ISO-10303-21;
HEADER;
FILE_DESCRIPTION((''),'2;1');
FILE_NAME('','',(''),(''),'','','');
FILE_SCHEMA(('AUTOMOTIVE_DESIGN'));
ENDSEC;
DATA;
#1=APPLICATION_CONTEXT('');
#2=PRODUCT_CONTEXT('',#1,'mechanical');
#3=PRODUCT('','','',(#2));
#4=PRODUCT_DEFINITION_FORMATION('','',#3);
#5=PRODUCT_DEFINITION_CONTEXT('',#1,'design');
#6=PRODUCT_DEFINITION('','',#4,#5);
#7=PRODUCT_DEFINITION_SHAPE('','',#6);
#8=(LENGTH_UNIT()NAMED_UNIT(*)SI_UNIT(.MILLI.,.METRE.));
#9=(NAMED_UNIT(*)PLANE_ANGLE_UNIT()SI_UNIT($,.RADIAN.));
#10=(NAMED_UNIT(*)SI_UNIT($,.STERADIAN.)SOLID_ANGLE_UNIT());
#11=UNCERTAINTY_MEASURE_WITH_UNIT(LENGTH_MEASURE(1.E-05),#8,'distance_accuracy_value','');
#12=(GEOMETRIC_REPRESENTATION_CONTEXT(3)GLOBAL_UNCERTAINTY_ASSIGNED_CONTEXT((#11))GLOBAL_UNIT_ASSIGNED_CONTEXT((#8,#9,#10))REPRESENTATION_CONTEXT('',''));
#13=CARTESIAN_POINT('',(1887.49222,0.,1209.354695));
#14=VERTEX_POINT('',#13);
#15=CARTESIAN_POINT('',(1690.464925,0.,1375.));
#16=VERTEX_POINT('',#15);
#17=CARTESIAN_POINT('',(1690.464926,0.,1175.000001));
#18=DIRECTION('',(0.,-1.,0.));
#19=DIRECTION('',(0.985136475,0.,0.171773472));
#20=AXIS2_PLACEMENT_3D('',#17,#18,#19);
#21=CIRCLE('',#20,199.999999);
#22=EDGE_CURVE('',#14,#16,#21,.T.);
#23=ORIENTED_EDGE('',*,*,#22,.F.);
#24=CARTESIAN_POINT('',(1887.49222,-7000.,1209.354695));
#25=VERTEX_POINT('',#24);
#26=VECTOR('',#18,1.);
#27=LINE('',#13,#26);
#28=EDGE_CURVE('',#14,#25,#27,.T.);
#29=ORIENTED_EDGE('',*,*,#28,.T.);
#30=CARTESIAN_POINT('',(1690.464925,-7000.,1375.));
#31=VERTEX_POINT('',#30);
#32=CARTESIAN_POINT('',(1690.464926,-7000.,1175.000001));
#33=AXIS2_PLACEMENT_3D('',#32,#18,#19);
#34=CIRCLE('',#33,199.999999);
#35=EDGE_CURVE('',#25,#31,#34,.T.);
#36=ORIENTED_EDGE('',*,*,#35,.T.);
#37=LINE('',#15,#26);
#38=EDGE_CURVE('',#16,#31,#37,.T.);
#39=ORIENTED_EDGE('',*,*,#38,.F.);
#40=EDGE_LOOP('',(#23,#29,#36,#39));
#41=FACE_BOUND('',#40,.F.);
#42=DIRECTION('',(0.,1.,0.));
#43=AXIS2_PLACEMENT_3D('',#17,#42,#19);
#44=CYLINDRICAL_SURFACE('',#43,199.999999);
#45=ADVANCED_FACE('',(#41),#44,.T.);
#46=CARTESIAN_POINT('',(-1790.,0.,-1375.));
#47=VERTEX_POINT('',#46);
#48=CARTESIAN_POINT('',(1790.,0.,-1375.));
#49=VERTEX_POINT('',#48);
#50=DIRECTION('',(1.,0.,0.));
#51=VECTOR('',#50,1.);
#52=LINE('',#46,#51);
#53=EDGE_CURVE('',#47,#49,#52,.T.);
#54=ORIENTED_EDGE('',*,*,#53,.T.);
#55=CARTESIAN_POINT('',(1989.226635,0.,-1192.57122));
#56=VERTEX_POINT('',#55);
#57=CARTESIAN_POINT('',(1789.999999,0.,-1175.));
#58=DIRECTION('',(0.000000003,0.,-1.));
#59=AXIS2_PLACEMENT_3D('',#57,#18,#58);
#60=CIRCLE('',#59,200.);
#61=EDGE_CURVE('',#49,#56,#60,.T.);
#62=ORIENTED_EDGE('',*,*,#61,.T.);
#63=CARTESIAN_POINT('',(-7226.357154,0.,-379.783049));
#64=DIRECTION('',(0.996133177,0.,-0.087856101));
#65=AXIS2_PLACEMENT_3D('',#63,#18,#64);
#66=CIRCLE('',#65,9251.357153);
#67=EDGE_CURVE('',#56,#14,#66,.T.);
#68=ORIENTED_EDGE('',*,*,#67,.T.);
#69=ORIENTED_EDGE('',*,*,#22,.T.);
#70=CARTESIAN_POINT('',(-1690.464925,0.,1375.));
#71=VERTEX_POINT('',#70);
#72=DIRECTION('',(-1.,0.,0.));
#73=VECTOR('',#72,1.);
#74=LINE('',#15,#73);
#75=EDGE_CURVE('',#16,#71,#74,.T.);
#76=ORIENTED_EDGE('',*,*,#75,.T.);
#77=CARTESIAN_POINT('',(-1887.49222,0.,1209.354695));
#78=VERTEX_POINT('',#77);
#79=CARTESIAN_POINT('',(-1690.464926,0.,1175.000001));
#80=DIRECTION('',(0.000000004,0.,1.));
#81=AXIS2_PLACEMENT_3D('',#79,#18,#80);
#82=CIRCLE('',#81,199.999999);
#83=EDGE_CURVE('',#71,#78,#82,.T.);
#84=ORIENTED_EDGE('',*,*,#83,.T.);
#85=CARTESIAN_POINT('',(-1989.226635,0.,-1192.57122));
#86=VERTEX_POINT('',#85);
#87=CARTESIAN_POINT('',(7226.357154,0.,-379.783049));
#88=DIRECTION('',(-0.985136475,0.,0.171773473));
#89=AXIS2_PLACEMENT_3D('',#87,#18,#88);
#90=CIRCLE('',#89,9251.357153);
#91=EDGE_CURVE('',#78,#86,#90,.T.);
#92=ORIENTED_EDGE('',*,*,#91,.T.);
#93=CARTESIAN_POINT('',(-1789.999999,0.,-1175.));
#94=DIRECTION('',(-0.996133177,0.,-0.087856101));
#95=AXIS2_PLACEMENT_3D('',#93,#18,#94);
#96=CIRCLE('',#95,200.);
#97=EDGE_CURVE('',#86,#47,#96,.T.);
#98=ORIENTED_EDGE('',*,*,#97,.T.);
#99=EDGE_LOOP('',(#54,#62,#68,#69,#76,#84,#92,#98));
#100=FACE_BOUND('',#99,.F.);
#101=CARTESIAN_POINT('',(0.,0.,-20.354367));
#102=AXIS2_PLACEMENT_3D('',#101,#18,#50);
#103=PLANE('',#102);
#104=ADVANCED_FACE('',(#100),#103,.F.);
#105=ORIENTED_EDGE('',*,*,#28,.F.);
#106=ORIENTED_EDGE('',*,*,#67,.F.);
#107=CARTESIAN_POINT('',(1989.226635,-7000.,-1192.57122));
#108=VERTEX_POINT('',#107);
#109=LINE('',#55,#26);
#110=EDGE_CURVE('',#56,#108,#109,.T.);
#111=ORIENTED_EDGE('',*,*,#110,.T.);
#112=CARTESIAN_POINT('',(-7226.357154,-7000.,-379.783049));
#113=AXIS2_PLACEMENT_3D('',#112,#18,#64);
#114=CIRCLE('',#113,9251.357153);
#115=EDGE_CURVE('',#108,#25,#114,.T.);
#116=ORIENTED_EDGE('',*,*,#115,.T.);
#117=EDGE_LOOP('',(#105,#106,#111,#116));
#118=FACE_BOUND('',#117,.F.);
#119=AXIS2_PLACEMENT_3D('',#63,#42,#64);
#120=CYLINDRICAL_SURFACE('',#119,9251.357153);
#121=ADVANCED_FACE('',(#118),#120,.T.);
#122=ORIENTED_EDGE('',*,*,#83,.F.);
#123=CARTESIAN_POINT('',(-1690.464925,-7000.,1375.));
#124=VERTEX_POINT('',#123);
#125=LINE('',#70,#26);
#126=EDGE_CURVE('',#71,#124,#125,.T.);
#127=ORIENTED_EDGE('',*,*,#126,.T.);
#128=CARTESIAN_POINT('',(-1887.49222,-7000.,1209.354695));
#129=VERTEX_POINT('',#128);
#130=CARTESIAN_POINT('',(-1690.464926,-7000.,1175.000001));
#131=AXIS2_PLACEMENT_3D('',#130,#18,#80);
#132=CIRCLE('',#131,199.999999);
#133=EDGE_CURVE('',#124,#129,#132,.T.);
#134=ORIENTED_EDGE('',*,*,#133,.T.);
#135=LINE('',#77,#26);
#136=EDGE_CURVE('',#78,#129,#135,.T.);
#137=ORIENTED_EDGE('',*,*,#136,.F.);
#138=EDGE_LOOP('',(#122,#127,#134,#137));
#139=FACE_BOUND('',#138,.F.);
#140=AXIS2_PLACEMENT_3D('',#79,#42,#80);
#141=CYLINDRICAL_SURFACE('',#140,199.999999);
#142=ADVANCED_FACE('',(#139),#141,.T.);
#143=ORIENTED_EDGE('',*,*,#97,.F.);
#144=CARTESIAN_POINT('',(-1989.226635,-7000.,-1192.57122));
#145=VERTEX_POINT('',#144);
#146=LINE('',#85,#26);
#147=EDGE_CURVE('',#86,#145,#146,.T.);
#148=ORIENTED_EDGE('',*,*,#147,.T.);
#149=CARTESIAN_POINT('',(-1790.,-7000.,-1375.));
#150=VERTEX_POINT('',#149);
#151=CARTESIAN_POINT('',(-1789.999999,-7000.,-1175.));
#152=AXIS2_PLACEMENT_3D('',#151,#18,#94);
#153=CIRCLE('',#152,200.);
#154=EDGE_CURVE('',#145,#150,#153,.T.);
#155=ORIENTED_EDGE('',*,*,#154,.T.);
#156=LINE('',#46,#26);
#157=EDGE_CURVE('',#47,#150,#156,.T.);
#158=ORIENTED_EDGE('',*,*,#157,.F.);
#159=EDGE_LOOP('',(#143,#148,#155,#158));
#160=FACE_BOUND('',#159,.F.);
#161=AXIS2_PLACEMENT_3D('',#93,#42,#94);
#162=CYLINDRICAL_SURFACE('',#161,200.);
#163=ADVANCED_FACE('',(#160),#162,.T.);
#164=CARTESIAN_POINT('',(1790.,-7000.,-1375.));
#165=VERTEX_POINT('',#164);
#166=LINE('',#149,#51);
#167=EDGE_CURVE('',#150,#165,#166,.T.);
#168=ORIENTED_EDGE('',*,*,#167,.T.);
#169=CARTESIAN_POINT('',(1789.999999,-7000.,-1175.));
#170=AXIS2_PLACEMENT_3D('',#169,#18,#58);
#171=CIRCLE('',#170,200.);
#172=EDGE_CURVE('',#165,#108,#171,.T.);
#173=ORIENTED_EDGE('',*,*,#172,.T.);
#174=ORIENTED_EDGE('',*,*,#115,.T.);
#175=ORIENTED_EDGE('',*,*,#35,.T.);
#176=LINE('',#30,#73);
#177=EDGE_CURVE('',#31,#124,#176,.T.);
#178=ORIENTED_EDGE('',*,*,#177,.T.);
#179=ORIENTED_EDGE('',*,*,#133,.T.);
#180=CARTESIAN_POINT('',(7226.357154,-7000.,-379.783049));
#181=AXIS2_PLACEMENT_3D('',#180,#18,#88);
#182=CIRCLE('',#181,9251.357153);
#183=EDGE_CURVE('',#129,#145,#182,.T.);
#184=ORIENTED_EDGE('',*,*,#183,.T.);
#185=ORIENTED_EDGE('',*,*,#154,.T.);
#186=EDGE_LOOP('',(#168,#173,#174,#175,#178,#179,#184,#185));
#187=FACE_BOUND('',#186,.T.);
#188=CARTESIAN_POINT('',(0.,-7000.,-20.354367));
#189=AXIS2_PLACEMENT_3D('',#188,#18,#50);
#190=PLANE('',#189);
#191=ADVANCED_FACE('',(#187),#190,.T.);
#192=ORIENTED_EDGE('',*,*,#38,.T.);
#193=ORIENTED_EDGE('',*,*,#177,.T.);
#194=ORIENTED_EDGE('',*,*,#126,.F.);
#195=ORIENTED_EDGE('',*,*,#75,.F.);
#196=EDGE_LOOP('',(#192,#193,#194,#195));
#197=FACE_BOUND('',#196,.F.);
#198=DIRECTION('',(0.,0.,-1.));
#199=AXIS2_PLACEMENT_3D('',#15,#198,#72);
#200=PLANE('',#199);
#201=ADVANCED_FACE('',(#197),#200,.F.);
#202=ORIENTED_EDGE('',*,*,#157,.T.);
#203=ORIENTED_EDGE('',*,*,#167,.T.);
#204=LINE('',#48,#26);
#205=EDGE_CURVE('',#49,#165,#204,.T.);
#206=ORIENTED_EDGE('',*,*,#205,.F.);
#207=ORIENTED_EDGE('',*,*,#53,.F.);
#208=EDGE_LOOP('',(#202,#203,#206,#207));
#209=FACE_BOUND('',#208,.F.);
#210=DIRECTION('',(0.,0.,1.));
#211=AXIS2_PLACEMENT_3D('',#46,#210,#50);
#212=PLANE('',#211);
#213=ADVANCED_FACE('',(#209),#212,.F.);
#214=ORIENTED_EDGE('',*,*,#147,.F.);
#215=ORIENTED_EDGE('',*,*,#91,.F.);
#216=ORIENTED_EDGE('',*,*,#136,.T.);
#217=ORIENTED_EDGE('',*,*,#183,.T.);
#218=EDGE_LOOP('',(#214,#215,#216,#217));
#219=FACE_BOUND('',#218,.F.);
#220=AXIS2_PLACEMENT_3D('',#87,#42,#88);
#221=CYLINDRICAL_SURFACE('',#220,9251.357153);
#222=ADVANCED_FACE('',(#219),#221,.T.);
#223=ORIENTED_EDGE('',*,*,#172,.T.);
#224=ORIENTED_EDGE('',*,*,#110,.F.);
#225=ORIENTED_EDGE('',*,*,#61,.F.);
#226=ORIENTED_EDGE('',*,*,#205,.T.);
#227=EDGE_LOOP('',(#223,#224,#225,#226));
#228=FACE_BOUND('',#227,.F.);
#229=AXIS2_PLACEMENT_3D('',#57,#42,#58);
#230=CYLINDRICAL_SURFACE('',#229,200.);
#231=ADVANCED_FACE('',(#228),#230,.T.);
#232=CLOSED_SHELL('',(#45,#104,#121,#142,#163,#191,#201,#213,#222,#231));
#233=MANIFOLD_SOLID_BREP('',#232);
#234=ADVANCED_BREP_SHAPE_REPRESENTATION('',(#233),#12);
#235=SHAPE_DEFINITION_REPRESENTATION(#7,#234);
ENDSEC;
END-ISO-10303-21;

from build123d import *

# Parameters (mm, degrees)
F1_DEPTH = 7000


with BuildPart() as f1:
    # F0 (on Front) → F1 (new body)
    with BuildSketch(Plane.XZ):
        with BuildLine():
            ThreePointArc((-1989.226635, -1192.57122), (-1925.066198, -1322.502956), (-1790, -1375))
            Line((-1790, -1375), (0, -1375))
            Line((0, -1375), (1790, -1375))
            ThreePointArc((1790, -1375), (1925.066198, -1322.502956), (1989.226635, -1192.57122))
            ThreePointArc((1989.226635, -1192.57122), (2016.712793, 11.710421), (1887.49222, 1209.354695))
            ThreePointArc((1887.49222, 1209.354695), (1819.168191, 1328.086477), (1690.464925, 1375))
            Line((1690.464925, 1375), (0, 1375))
            Line((0, 1375), (-1690.464925, 1375))
            ThreePointArc((-1690.464925, 1375), (-1819.168191, 1328.086477), (-1887.49222, 1209.354695))
            ThreePointArc((-1887.49222, 1209.354695), (-2016.712793, 11.710421), (-1989.226635, -1192.57122))
        make_face()
    extrude(amount=F1_DEPTH)


solid = f1.part
